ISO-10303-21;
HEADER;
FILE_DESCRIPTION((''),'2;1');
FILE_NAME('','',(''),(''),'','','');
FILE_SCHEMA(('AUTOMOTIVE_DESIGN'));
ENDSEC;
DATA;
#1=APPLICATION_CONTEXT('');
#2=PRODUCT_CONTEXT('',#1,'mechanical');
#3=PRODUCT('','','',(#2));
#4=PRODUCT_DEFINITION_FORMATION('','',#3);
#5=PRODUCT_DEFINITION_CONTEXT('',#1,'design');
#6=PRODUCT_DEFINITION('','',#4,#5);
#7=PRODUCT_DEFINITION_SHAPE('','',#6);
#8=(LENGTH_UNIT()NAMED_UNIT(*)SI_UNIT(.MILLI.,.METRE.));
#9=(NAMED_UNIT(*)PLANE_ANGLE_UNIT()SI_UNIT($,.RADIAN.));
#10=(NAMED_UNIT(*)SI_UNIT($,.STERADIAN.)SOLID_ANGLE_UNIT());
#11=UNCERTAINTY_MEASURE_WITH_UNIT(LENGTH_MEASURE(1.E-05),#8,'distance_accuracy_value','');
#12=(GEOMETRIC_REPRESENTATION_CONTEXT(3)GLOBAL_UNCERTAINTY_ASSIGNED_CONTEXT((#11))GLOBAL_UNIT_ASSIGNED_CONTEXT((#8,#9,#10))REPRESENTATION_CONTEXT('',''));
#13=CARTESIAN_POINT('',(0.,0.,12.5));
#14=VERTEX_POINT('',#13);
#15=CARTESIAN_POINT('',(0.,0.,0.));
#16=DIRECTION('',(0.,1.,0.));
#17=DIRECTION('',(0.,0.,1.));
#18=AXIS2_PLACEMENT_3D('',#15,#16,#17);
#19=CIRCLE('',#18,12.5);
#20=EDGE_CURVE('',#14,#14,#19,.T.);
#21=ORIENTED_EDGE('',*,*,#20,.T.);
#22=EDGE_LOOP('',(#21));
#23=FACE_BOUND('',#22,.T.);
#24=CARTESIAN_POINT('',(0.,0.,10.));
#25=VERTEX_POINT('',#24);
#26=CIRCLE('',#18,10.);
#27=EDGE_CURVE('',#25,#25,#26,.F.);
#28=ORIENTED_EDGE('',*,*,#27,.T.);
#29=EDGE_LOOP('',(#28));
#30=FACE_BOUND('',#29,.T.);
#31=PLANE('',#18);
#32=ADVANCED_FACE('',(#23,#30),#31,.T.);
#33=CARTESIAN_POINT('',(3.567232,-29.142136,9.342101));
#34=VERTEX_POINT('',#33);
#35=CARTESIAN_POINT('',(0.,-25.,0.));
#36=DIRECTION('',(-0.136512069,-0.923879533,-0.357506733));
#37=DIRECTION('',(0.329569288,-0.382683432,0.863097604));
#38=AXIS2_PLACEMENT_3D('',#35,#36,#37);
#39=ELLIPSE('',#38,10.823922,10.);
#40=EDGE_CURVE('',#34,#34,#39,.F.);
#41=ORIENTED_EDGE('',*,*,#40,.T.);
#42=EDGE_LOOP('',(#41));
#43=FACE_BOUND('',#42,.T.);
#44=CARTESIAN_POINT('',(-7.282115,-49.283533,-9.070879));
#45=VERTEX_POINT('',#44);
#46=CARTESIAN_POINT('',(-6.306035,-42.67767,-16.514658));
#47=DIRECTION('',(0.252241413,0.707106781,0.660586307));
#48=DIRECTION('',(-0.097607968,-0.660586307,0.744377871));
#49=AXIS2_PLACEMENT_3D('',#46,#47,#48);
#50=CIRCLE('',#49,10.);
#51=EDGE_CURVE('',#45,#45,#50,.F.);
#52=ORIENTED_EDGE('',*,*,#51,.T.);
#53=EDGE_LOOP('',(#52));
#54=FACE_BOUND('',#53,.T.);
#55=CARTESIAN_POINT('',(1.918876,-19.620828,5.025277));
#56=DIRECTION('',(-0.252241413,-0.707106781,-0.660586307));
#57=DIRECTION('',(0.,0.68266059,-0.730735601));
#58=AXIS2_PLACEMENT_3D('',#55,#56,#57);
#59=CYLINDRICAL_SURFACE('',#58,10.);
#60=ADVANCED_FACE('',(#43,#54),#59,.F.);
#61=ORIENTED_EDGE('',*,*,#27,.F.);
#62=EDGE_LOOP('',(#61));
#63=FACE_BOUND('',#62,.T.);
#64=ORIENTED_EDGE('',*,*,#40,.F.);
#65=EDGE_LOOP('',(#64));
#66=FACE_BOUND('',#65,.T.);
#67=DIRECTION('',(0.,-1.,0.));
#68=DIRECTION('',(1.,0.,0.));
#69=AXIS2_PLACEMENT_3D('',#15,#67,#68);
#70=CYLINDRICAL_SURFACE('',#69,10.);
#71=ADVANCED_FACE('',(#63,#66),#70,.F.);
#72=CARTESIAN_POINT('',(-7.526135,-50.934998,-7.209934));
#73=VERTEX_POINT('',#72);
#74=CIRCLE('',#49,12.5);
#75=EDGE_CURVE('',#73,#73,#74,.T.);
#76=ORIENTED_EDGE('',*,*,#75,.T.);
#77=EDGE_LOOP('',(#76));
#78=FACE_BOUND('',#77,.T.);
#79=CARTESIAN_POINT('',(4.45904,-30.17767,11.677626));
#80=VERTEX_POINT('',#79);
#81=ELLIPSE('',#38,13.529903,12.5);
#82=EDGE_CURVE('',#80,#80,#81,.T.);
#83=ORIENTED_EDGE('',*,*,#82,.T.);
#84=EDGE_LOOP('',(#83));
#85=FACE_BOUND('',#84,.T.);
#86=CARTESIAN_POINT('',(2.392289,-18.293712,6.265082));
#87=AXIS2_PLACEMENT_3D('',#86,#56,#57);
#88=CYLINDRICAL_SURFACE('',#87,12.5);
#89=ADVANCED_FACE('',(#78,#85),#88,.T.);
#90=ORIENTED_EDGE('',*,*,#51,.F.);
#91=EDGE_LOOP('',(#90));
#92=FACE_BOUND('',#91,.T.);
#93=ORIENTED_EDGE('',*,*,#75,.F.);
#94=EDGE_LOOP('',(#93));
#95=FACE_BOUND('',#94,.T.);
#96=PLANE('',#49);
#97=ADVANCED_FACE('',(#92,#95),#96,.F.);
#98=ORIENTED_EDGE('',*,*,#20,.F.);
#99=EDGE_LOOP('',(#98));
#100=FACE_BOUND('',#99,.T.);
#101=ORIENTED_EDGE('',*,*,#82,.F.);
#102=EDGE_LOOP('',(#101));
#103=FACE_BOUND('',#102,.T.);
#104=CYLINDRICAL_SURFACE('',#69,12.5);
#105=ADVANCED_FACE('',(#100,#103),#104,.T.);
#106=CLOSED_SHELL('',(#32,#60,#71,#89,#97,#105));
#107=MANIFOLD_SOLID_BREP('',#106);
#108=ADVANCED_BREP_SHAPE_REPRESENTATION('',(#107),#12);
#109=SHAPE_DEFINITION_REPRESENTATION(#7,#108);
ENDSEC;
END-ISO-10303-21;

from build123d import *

# Parameters (mm, degrees)
SKETCH_2_R   = 12.5
SKETCH_2_R_2 = 10


with BuildPart() as part:
    # 扫描1: sweep along a curve in space
    with BuildLine() as sweep_1_path:
        Line((0, 0, 0), (0, -25, 0))
        Line((0, -25, 0), (-6.306035323, -42.67766953, -16.514657686))
    # 草图2 → 扫描1 (sweep)
    with BuildSketch(Plane(origin=(0, 0, 0), x_dir=(1, 0, 0), z_dir=(0, 1, 0))):
        Circle(SKETCH_2_R)
        Circle(SKETCH_2_R_2, mode=Mode.SUBTRACT)
    sweep(path=sweep_1_path.line, transition=Transition.RIGHT)


solid = part.part
